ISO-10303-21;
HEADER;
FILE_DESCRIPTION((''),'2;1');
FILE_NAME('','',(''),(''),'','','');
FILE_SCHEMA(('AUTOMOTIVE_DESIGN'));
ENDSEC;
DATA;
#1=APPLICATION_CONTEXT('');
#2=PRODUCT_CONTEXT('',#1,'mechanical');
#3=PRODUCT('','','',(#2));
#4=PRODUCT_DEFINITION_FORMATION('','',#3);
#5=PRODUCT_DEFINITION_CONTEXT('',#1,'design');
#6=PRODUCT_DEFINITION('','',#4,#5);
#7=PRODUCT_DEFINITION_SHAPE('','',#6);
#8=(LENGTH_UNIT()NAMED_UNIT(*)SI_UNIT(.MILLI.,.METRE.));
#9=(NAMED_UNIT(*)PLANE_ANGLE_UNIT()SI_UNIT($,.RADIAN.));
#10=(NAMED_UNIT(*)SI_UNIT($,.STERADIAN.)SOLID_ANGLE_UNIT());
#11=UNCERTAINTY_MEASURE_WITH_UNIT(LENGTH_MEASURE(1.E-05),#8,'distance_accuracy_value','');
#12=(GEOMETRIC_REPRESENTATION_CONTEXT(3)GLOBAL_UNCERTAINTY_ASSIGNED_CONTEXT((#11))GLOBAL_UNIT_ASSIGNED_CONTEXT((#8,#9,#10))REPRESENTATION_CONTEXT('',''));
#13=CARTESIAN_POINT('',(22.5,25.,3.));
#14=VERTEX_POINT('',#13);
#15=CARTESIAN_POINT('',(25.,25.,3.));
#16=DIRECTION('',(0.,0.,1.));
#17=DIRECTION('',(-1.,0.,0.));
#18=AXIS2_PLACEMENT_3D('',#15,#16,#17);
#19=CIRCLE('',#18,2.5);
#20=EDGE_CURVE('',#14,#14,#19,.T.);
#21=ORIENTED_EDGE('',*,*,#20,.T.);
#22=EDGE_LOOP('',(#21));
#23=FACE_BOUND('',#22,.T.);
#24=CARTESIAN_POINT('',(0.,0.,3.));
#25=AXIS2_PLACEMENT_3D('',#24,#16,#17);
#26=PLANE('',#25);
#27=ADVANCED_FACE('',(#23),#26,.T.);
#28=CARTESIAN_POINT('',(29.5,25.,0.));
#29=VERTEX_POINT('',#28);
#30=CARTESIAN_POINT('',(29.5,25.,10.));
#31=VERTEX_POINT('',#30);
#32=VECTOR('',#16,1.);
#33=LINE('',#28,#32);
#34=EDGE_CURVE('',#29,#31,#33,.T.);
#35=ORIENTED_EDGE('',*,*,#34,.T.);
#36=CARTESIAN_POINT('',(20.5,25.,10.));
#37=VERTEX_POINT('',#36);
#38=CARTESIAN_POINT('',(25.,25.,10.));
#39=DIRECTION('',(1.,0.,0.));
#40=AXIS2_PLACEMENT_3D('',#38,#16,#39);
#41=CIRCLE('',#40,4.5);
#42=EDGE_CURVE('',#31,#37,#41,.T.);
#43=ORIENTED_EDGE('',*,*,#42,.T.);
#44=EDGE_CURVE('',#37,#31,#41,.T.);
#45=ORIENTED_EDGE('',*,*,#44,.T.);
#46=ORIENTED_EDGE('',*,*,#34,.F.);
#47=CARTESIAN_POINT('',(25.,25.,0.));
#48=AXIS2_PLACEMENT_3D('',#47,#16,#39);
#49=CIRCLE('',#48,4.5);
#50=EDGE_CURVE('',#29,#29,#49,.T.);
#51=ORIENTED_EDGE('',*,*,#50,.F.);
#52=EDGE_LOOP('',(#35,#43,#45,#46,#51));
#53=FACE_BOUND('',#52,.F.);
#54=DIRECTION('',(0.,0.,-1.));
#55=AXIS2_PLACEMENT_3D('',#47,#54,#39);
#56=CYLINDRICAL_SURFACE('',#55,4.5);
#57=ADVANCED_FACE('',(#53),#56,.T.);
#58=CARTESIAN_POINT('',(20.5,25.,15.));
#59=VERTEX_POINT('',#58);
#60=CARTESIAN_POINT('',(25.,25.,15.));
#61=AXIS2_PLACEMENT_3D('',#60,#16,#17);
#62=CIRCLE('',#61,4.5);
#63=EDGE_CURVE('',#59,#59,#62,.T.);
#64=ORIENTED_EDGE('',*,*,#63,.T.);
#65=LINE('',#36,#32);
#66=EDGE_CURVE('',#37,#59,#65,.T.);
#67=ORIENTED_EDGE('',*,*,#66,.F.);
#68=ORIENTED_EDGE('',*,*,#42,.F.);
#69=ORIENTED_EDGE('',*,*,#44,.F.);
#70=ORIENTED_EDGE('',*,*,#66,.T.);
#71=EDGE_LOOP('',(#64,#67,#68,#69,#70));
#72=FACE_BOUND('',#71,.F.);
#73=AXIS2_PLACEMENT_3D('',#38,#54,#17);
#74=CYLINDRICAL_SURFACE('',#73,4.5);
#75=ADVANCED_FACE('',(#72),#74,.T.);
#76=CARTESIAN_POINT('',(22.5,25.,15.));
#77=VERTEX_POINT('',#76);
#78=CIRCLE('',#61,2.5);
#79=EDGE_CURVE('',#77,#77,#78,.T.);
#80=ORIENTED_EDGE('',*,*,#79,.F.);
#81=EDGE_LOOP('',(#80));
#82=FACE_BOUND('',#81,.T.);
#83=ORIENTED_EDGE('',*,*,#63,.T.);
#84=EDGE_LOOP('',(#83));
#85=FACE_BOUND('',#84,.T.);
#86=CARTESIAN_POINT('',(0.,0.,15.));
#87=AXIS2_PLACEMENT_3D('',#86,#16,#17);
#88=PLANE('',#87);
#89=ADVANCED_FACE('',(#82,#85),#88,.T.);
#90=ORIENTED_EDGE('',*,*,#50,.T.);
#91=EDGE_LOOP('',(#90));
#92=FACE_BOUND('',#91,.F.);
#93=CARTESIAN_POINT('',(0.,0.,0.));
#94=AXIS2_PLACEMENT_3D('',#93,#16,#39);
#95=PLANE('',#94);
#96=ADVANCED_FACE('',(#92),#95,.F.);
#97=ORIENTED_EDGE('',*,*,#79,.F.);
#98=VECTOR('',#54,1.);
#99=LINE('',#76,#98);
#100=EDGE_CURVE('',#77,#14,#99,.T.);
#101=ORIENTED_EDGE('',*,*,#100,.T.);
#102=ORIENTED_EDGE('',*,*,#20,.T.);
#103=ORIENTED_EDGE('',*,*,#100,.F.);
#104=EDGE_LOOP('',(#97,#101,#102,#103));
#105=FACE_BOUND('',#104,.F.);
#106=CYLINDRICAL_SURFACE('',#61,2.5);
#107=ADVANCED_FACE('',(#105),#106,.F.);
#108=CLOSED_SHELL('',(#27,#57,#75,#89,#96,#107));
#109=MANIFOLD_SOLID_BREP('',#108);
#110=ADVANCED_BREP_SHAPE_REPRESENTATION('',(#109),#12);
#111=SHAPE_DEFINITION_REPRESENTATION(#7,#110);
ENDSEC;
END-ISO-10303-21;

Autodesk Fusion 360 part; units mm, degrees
sketch "Sketch1" plane through (0, 0, 0) normal (0, 0, 1) x (1, 0, 0)
  circle A0 centre (25, 25) radius 2.5
  circle A1 centre (25, 25) radius 4.5
  dimension "d1" = 5
  dimension "d2" = 9
extrude "Extrude1" add sketch "Sketch1" along normal blind 10 contours A0 | A1
sketch "Sketch2" plane through (0, 0, 10) normal (0, 0, 1) x (-1, 0, 0)
  circle A0 centre (-25, -25) radius 4.5
extrude "Extrude2" add sketch "Sketch2" along normal blind 5
sketch "Sketch3" plane through (0, 0, 15) normal (0, 0, 1) x (-1, 0, 0)
  circle A0 centre (-25, -25) radius 4.5
  circle A1 centre (-25, -25) radius 2.5
  dimension "d7" = 5
extrude "Extrude3" cut sketch "Sketch3" against normal blind 12 contours A1
